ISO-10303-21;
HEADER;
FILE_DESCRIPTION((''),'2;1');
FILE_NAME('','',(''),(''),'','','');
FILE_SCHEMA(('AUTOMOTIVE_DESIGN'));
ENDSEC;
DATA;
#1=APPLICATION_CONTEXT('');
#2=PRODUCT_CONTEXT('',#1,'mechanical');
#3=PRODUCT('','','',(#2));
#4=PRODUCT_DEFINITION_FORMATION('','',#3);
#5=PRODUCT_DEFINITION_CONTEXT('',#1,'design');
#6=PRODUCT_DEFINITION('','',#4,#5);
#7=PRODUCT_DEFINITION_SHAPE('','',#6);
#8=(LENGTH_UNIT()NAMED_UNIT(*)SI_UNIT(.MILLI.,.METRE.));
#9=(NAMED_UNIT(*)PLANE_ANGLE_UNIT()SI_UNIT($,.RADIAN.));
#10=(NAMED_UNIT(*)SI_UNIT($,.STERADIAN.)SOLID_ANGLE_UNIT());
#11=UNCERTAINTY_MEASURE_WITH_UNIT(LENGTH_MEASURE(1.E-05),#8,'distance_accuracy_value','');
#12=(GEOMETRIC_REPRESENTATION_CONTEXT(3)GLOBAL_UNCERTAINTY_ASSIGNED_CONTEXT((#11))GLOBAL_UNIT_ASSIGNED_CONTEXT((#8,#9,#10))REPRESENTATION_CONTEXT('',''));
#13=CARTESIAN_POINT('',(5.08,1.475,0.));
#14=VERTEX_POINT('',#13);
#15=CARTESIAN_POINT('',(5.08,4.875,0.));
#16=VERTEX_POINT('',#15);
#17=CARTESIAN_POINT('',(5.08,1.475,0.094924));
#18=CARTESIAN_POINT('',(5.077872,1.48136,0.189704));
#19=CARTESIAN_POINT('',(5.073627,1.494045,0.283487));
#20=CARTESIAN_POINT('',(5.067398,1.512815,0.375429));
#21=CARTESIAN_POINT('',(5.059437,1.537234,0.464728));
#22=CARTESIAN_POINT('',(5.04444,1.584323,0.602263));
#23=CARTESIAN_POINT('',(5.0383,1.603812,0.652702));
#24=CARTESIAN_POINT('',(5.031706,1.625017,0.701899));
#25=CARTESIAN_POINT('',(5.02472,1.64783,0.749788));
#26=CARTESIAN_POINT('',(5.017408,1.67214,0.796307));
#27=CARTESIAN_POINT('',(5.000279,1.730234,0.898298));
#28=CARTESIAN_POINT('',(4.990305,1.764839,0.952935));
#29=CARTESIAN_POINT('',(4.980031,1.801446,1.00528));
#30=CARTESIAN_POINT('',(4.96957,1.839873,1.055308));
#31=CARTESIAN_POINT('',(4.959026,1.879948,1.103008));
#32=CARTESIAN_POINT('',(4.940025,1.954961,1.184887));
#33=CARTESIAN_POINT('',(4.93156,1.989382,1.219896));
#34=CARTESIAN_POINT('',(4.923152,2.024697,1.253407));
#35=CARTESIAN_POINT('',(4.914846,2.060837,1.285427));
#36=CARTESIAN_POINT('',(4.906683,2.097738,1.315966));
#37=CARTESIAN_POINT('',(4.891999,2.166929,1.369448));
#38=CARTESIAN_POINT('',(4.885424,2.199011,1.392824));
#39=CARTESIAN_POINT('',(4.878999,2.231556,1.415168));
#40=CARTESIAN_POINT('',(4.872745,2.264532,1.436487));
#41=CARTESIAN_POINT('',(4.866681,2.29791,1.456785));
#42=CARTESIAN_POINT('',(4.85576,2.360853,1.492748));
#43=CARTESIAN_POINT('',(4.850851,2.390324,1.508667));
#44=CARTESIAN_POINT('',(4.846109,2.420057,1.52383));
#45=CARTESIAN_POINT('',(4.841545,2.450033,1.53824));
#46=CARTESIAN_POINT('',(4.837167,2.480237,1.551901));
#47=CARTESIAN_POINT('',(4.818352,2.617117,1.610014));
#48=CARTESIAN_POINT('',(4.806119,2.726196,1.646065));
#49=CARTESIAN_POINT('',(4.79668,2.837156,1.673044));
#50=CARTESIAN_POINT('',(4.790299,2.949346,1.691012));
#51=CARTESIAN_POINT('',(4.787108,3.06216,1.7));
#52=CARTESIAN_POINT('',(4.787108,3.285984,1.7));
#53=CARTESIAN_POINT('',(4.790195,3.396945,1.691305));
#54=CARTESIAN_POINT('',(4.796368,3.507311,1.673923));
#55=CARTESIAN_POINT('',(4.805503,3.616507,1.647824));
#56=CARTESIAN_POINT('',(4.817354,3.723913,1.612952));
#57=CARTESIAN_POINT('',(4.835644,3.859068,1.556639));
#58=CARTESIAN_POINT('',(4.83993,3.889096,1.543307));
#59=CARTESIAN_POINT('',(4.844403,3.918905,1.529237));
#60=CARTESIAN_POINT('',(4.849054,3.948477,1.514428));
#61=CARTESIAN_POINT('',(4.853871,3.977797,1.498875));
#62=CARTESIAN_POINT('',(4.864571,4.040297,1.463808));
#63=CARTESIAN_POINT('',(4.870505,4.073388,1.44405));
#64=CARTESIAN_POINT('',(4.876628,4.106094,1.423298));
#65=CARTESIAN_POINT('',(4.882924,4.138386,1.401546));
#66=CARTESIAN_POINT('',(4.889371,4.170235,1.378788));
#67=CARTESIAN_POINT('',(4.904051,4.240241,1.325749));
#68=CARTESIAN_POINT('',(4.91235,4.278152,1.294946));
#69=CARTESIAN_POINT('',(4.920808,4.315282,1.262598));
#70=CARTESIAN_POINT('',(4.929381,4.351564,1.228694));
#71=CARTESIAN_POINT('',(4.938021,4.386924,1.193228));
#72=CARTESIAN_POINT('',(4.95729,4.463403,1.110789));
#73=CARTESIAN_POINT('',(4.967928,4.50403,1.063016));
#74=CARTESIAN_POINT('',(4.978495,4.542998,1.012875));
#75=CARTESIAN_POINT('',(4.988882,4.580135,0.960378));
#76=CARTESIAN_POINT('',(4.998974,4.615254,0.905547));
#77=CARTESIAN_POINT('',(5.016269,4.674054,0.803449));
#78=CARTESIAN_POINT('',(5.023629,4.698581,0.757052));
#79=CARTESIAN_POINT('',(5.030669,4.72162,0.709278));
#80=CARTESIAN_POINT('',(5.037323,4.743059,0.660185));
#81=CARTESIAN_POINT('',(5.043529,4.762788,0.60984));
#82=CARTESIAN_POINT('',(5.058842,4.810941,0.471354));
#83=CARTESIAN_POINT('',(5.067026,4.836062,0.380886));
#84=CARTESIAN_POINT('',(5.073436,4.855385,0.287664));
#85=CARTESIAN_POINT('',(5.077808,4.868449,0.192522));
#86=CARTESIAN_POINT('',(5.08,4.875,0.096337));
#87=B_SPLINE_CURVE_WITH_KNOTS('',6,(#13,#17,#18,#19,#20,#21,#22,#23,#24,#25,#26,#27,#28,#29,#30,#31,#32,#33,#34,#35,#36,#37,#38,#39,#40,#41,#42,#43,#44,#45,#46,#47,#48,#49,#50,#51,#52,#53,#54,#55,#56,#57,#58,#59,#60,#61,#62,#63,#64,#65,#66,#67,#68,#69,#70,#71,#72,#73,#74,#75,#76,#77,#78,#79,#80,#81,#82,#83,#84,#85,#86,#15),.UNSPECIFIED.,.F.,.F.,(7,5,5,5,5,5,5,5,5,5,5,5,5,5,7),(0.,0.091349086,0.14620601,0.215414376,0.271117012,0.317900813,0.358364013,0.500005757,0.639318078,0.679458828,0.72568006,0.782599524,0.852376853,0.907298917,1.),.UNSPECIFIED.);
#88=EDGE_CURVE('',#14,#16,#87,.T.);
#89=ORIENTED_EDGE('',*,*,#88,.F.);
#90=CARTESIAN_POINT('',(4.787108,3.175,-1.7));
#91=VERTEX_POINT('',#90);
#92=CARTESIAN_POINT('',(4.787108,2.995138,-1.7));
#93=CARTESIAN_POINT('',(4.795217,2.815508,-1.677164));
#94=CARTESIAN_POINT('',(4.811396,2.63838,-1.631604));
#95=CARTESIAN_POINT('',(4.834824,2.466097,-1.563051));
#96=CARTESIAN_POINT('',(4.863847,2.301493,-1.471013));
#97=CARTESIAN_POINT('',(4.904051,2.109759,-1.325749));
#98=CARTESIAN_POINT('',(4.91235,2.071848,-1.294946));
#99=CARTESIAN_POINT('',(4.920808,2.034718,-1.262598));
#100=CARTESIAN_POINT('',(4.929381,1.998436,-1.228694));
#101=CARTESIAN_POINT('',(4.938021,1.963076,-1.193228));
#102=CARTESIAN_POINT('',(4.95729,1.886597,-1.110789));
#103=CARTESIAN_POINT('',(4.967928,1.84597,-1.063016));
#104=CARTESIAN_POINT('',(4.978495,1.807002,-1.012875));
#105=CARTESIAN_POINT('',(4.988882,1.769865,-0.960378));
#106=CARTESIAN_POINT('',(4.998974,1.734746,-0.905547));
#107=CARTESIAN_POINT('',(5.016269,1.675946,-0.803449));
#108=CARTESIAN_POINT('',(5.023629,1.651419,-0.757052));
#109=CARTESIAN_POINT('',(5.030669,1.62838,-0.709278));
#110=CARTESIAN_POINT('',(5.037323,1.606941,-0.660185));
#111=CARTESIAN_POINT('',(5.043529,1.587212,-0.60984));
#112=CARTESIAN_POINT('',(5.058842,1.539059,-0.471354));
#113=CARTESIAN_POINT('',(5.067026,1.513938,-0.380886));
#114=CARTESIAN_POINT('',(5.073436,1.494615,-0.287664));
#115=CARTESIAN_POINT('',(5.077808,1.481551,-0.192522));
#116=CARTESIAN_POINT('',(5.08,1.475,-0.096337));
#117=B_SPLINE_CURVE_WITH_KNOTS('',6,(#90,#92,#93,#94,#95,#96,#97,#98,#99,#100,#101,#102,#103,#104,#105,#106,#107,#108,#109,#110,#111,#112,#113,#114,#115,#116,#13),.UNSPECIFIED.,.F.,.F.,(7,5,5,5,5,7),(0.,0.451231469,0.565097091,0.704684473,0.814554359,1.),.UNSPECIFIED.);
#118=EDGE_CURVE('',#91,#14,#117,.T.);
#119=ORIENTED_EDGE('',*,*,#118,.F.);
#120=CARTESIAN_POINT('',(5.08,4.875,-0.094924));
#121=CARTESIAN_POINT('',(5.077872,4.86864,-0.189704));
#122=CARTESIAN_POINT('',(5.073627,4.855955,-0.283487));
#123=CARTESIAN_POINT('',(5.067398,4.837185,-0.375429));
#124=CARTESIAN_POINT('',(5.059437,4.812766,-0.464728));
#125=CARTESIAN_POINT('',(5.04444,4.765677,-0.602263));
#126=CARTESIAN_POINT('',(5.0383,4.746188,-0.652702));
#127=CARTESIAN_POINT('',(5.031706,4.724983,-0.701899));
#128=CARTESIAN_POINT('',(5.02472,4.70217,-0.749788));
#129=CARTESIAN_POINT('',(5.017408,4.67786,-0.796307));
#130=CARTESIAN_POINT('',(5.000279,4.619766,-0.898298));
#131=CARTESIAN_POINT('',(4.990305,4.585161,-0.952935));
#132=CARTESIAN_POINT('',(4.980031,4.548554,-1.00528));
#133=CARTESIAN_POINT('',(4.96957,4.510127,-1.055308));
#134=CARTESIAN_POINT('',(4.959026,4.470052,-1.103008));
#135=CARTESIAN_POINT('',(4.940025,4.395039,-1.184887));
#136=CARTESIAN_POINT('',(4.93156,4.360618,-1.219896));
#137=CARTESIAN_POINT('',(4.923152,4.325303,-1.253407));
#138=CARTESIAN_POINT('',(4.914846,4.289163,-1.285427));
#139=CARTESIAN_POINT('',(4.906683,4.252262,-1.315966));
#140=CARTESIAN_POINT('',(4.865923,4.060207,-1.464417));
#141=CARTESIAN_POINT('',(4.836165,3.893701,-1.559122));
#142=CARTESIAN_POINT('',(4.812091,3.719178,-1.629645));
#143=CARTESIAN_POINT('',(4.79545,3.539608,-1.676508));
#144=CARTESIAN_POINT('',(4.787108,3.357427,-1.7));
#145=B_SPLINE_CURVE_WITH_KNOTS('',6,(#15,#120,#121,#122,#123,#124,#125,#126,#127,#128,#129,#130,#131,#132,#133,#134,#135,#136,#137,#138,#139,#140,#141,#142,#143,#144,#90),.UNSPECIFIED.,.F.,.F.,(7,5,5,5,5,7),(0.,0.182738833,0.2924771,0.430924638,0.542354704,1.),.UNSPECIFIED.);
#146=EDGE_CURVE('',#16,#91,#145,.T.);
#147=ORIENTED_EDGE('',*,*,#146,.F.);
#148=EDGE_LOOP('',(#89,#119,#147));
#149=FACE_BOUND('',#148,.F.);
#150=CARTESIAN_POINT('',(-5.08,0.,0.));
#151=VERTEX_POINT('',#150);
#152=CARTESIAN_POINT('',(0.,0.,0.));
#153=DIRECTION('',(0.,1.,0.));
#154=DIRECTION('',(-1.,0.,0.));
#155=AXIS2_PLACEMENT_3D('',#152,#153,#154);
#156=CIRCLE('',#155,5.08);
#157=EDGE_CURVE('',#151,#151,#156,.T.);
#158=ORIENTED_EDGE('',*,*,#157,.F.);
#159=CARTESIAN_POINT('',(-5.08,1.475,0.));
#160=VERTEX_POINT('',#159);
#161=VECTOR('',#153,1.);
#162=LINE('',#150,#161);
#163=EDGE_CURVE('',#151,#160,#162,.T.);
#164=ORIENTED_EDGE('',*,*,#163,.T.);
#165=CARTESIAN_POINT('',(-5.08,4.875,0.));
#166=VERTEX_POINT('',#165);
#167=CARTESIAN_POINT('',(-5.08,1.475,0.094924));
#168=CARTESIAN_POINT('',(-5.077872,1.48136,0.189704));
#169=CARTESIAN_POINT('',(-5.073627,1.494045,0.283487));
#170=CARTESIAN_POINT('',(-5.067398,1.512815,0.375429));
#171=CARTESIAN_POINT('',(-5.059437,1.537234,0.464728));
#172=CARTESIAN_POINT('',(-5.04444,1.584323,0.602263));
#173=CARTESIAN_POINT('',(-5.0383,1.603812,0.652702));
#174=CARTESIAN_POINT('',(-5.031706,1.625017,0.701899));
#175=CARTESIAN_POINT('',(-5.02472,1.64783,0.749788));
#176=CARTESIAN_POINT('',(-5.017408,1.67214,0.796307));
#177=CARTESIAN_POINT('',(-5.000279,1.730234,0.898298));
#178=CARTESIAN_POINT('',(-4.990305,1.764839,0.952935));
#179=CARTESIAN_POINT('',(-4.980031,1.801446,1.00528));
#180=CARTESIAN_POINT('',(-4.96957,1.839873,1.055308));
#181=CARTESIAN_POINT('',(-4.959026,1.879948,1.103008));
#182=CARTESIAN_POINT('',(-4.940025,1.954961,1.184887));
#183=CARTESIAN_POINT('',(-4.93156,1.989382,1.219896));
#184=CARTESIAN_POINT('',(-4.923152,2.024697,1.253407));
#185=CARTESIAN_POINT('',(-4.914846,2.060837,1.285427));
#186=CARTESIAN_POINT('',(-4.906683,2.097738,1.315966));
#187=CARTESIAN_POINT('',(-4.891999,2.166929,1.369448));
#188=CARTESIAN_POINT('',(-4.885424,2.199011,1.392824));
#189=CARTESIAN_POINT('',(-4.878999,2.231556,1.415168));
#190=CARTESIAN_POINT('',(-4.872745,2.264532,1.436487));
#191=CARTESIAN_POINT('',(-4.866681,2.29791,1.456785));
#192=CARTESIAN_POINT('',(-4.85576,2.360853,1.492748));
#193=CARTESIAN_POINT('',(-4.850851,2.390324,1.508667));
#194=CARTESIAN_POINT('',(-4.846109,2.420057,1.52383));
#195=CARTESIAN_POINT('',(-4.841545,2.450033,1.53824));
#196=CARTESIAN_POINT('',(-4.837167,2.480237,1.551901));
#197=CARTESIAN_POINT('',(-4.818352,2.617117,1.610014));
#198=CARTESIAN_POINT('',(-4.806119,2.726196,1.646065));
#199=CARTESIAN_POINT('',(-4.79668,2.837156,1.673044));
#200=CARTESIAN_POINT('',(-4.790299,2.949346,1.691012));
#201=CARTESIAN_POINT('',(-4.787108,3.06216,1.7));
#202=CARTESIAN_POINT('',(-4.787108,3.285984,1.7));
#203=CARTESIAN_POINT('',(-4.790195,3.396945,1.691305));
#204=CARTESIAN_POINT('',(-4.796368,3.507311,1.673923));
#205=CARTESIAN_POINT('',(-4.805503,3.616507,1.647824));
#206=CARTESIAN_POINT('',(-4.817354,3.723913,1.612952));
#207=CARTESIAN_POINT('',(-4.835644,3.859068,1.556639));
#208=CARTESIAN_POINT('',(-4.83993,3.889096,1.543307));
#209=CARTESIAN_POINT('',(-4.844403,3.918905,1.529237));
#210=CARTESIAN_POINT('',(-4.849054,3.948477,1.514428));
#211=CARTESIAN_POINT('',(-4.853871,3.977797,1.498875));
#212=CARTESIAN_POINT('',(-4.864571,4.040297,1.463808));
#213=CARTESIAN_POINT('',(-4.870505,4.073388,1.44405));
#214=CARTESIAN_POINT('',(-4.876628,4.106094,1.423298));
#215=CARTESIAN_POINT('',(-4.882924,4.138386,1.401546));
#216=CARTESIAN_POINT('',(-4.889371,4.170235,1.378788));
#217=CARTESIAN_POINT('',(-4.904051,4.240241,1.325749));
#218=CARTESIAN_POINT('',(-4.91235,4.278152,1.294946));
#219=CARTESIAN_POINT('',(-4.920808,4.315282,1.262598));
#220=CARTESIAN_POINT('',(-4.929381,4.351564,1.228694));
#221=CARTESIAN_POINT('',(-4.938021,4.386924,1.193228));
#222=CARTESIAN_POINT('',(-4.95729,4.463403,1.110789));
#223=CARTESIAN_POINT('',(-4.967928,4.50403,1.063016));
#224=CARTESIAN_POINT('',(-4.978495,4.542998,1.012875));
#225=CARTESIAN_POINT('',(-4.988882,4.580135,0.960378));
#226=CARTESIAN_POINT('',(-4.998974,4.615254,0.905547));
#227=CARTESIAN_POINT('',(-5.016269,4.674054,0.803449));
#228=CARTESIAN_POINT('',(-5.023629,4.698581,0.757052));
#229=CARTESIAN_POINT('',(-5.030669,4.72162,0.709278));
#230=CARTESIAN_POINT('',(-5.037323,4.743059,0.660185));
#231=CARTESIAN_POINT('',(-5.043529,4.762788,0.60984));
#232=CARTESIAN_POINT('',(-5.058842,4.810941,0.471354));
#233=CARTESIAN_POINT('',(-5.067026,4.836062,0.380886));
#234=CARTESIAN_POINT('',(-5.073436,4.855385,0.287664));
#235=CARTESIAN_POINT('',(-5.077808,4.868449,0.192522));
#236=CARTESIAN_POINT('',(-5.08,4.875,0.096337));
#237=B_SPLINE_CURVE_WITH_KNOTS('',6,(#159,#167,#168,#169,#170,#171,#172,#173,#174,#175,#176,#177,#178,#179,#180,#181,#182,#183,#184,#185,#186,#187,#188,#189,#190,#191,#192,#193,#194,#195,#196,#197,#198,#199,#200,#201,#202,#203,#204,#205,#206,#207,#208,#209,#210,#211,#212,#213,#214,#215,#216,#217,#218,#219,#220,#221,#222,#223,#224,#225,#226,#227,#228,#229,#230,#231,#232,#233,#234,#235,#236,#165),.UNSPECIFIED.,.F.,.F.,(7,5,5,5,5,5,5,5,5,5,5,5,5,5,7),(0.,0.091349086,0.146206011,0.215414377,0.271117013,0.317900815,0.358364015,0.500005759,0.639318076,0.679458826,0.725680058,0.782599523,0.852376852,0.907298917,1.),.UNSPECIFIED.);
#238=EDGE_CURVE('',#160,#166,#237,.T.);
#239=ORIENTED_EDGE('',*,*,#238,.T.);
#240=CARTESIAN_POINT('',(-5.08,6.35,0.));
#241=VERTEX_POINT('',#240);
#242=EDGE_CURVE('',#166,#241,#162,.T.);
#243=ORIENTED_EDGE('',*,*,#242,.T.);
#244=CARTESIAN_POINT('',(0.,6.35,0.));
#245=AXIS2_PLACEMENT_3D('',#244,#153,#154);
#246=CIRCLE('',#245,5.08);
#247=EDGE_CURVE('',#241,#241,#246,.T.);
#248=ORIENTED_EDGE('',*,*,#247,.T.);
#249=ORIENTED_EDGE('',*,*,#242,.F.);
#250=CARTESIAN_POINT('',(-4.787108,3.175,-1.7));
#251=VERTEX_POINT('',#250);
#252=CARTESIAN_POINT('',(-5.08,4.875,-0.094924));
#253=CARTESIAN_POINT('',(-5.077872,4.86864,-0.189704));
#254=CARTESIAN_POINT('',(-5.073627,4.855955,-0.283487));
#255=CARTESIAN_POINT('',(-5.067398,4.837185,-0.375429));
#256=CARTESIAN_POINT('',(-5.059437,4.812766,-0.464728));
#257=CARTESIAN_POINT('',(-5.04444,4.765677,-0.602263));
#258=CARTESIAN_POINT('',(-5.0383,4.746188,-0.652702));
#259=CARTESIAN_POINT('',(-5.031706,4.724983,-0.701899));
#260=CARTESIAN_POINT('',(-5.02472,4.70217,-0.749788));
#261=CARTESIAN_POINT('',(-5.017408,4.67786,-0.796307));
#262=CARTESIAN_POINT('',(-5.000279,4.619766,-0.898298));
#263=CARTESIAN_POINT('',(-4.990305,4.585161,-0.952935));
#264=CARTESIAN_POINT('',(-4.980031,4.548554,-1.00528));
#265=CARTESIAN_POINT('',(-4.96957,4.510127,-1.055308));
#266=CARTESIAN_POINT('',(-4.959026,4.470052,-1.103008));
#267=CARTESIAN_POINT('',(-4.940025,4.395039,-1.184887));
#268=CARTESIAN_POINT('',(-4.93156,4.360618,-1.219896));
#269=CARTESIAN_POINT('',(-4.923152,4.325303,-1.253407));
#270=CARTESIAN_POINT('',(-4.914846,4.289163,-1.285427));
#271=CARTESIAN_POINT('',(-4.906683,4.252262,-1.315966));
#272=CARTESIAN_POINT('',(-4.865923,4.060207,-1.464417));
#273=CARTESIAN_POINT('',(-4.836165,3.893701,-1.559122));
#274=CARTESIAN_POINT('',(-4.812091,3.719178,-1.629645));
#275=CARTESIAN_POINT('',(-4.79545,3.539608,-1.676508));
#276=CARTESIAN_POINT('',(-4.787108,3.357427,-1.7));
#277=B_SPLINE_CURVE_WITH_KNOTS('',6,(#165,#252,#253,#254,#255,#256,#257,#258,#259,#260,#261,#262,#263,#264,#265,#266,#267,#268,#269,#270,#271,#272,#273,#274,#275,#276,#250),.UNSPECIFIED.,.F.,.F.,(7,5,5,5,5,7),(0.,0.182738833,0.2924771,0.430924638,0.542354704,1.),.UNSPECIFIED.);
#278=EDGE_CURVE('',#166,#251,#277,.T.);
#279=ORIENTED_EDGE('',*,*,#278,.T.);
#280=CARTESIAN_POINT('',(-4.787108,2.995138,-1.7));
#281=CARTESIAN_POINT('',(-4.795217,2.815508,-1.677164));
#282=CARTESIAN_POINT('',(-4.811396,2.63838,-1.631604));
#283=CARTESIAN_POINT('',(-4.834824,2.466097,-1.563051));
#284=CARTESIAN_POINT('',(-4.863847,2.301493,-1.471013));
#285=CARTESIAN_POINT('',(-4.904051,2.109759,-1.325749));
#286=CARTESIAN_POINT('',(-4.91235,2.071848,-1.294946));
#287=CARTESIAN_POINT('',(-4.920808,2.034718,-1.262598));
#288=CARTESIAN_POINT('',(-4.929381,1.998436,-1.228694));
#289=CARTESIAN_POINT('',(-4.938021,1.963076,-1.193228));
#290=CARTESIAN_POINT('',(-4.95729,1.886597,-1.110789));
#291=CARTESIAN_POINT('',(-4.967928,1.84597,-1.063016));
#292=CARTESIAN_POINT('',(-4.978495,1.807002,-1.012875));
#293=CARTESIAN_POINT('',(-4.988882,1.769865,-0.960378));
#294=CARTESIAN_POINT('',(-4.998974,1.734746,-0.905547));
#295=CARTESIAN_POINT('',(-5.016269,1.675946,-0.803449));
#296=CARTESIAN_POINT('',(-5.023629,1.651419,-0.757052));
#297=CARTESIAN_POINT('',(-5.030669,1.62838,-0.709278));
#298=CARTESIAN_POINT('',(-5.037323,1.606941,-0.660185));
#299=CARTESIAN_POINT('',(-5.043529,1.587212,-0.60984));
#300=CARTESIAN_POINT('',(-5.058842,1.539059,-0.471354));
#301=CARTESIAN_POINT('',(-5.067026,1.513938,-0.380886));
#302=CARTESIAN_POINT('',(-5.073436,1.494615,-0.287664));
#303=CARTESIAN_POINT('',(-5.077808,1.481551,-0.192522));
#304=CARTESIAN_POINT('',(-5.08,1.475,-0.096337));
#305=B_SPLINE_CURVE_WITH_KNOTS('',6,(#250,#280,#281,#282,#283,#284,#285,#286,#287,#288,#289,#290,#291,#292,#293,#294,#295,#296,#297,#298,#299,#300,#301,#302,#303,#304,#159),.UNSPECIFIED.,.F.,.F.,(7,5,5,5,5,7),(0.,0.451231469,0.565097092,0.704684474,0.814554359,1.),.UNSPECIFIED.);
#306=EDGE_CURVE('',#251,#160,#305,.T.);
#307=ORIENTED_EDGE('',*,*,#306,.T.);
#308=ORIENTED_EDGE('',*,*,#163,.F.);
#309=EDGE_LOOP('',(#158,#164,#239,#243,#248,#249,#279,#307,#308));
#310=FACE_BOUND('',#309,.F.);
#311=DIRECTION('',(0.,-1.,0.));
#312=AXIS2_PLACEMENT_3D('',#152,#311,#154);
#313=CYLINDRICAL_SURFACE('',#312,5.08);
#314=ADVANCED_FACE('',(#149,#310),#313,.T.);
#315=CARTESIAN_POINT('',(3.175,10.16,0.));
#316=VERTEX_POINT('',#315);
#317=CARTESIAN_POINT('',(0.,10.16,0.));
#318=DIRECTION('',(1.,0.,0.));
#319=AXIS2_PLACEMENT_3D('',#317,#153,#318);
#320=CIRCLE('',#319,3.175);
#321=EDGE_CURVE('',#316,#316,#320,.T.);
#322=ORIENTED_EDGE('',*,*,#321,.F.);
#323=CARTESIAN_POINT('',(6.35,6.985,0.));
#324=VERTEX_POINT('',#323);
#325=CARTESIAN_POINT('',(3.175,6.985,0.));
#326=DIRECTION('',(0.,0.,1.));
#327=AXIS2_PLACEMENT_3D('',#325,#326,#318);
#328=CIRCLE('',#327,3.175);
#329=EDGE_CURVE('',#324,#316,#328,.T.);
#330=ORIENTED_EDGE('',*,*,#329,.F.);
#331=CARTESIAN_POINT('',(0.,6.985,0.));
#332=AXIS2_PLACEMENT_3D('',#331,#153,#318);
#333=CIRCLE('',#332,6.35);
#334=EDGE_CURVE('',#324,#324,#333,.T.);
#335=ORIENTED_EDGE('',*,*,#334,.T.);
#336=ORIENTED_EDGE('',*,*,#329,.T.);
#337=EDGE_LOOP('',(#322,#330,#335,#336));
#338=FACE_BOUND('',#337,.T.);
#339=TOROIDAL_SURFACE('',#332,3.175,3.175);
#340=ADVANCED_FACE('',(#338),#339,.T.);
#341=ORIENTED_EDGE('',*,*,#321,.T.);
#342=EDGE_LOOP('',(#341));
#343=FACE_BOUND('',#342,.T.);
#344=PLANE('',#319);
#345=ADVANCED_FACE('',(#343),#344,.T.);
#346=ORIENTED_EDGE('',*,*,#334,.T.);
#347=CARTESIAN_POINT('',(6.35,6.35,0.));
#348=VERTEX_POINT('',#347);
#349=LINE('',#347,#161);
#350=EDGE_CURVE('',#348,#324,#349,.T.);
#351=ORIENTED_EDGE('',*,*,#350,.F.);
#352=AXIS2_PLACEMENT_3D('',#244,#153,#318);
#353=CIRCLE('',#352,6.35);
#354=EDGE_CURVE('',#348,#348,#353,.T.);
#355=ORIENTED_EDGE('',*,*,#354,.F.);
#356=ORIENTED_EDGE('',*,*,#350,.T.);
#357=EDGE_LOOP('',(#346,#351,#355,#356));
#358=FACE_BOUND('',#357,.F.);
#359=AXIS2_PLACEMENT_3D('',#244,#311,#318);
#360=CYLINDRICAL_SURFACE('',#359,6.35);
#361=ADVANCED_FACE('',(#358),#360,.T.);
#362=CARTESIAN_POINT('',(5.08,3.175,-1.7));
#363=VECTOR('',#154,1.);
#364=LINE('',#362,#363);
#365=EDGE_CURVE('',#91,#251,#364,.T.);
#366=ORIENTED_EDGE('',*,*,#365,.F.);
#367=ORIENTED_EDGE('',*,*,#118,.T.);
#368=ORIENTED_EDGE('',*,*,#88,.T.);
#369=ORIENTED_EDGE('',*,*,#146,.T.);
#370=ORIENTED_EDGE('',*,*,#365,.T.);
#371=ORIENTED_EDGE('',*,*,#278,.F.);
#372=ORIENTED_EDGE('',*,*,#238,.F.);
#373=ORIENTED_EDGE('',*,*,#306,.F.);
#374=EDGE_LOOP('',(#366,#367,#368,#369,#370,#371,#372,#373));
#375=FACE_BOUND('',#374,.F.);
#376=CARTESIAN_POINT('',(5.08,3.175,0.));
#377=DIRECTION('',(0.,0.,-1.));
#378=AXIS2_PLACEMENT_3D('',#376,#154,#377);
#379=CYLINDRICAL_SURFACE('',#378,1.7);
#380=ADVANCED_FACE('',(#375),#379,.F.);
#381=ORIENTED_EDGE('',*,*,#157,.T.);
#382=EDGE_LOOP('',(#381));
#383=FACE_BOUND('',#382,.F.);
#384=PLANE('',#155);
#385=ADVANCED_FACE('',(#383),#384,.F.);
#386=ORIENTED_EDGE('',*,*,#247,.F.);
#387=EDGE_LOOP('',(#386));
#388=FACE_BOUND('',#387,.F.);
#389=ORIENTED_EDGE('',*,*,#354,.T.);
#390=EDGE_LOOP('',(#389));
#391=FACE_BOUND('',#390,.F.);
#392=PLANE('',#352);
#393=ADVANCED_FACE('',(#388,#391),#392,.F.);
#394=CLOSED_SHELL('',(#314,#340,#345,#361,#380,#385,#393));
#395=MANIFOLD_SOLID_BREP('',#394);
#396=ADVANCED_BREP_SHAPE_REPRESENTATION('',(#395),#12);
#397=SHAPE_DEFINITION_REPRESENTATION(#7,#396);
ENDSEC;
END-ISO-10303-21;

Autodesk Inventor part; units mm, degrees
ref_plane "XZ Plane" through (0, 0, 0) normal (0, 1, 0) x (-1, 0, 0)
ref_plane "XY Plane" through (0, 0, 0) normal (0, 0, 1) x (1, 0, 0)
sketch "Sketch1" plane through (0, 0, 0) normal (0, 1, 0) x (-1, 0, 0)
  circle A0 centre (0, 0) radius 5.08
  dimension "d0" = 10.16
extrude "Extrusion1" add sketch "Sketch1" along normal blind 6.35
sketch "Sketch2" plane through (0, 6.35, 0) normal (0, 1, 0) x (1, 0, 0)
  circle A0 centre (0, 0) radius 6.35
  dimension "d3" = 12.7
extrude "Extrusion2" add sketch "Sketch2" along normal blind 3.81
fillet "Fillet1" radius 3.175 1 edges at (-6.35, 10.16, 0)
ref_plane "Work Plane1" through (5.08, 0, 0) normal (1, 0, 0) x (0, 1, 0)
sketch "Sketch3" plane through (5.08, 0, 0) normal (1, 0, 0) x (0, 1, 0)
  circle A0 centre (3.175, 0) radius 0.726
  point P0 (0, 0)
  dimension "d8" = 3.175
hole "Hole1" at (5.08, 3.175, 0) direction (-1, 0, 0) diameter 3.4 depth 25.4 tip angle 118 clearance for "Socket Head Cap Screw" size "M3" standard "Ansi Metric M Profile"
properties part number "Brass Endweight" material "Brass, Soft Yellow"
